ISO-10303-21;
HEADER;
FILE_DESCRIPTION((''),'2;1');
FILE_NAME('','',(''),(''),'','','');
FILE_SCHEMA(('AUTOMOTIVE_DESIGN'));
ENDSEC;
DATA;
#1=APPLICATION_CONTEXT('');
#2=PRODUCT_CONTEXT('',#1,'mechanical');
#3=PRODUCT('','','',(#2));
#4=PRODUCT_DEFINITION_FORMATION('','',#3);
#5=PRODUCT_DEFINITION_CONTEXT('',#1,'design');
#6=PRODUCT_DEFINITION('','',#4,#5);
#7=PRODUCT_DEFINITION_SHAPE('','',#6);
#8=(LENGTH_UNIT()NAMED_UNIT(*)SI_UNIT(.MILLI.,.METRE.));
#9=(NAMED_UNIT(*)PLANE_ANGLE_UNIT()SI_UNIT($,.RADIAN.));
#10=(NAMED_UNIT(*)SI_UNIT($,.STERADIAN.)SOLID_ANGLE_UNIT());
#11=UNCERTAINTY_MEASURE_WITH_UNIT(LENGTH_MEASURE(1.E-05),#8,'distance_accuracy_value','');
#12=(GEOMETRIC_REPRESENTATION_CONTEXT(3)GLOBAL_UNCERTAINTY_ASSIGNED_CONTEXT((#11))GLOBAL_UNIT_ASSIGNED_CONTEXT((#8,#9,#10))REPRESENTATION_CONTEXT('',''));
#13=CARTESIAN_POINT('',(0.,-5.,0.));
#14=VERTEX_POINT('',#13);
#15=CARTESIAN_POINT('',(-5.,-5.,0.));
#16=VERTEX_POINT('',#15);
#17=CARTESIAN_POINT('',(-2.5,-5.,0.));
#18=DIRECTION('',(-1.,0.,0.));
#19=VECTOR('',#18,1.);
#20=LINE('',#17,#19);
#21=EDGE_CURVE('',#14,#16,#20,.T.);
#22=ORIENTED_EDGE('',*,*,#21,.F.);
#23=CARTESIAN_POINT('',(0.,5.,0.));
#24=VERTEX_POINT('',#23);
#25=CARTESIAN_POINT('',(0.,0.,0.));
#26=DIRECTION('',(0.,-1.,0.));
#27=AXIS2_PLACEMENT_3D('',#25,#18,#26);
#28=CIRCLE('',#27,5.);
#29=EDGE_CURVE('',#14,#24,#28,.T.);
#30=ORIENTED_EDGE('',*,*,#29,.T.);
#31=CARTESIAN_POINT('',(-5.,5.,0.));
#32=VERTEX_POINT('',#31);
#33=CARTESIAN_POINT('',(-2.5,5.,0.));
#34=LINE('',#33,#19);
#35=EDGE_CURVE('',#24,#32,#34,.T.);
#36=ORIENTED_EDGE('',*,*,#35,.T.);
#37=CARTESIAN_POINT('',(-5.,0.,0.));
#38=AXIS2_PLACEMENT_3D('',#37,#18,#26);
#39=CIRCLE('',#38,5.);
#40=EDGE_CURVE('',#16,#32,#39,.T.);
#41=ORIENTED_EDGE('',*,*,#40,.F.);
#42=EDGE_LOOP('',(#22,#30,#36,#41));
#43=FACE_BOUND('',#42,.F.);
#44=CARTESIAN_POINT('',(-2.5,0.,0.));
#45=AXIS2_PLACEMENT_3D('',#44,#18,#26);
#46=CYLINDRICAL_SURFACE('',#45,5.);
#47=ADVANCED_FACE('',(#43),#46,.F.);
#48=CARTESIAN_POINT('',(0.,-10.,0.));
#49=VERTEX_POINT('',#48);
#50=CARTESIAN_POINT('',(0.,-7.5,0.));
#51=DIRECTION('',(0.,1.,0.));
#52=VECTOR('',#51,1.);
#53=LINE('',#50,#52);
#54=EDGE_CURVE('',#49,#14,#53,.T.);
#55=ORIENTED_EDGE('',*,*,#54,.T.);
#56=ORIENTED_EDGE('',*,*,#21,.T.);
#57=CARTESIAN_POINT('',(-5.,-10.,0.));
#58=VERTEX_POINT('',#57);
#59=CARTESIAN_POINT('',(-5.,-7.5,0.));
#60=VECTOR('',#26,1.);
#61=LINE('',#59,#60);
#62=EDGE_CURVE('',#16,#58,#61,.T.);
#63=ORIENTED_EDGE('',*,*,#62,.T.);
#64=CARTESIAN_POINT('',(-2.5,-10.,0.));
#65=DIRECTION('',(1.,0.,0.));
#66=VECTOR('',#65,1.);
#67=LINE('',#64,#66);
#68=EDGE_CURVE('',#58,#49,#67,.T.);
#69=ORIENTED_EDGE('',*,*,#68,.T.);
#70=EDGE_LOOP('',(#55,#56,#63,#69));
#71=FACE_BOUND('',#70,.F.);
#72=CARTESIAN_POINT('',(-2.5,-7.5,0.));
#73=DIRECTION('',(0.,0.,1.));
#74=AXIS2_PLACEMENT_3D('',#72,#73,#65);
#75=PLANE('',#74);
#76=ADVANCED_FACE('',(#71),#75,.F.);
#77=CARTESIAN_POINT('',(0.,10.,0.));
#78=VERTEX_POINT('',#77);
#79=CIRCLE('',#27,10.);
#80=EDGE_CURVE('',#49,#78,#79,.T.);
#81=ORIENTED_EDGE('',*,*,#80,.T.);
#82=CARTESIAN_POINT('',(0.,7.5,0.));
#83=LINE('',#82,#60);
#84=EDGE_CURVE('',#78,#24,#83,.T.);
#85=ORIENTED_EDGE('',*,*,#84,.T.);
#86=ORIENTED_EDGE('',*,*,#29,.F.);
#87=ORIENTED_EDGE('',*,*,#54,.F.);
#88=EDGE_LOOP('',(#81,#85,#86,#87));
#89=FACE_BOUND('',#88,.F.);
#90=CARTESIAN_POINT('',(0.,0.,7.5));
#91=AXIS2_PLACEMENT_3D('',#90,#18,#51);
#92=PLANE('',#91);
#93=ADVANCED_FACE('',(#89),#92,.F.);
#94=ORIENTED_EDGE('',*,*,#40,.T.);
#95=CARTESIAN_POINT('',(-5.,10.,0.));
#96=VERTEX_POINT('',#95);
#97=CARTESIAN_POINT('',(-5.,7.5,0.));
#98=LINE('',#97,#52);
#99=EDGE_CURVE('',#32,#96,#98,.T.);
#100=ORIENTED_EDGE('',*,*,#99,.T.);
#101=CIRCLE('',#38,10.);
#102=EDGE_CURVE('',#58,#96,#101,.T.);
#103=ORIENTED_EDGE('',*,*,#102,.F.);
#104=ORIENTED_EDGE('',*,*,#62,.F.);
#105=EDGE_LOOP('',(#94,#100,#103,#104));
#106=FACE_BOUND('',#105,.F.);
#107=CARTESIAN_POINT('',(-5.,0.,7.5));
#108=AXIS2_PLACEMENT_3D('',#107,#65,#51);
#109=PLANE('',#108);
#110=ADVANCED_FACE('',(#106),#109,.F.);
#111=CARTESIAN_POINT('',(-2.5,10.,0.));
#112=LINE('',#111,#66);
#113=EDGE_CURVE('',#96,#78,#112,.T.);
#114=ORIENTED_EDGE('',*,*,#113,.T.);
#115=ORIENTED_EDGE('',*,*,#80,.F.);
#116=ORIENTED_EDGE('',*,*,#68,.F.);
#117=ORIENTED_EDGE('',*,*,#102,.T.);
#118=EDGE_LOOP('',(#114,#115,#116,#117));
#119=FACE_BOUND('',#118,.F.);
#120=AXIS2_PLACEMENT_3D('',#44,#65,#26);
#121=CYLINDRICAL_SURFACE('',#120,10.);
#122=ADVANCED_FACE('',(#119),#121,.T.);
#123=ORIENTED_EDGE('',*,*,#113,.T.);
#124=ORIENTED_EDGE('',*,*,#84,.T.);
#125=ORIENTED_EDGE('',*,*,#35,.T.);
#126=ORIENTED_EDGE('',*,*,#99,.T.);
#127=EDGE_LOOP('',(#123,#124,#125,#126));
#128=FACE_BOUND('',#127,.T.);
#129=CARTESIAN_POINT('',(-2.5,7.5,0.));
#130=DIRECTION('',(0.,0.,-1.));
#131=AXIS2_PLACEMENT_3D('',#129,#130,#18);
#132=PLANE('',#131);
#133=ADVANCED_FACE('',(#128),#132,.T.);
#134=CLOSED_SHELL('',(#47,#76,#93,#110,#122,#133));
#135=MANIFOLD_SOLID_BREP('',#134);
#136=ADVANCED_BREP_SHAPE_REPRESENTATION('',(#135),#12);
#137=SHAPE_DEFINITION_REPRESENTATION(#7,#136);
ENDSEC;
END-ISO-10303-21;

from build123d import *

# Parameters (mm, degrees)
F0_W = 5
F0_H = 5


with BuildPart() as f2:
    # F2: sweep along a path in F1
    with BuildLine(Plane.YZ) as f2_path:
        ThreePointArc((-5.0503057428, 0), (0, 5.0503057428), (5.0503057428, 0))
    # F0 (on Top) → F2 (sweep)
    with BuildSketch(Plane.XY):
        with Locations((-2.5, -7.5)):
            Rectangle(F0_W, F0_H)
    sweep(path=f2_path.line)


solid = f2.part
